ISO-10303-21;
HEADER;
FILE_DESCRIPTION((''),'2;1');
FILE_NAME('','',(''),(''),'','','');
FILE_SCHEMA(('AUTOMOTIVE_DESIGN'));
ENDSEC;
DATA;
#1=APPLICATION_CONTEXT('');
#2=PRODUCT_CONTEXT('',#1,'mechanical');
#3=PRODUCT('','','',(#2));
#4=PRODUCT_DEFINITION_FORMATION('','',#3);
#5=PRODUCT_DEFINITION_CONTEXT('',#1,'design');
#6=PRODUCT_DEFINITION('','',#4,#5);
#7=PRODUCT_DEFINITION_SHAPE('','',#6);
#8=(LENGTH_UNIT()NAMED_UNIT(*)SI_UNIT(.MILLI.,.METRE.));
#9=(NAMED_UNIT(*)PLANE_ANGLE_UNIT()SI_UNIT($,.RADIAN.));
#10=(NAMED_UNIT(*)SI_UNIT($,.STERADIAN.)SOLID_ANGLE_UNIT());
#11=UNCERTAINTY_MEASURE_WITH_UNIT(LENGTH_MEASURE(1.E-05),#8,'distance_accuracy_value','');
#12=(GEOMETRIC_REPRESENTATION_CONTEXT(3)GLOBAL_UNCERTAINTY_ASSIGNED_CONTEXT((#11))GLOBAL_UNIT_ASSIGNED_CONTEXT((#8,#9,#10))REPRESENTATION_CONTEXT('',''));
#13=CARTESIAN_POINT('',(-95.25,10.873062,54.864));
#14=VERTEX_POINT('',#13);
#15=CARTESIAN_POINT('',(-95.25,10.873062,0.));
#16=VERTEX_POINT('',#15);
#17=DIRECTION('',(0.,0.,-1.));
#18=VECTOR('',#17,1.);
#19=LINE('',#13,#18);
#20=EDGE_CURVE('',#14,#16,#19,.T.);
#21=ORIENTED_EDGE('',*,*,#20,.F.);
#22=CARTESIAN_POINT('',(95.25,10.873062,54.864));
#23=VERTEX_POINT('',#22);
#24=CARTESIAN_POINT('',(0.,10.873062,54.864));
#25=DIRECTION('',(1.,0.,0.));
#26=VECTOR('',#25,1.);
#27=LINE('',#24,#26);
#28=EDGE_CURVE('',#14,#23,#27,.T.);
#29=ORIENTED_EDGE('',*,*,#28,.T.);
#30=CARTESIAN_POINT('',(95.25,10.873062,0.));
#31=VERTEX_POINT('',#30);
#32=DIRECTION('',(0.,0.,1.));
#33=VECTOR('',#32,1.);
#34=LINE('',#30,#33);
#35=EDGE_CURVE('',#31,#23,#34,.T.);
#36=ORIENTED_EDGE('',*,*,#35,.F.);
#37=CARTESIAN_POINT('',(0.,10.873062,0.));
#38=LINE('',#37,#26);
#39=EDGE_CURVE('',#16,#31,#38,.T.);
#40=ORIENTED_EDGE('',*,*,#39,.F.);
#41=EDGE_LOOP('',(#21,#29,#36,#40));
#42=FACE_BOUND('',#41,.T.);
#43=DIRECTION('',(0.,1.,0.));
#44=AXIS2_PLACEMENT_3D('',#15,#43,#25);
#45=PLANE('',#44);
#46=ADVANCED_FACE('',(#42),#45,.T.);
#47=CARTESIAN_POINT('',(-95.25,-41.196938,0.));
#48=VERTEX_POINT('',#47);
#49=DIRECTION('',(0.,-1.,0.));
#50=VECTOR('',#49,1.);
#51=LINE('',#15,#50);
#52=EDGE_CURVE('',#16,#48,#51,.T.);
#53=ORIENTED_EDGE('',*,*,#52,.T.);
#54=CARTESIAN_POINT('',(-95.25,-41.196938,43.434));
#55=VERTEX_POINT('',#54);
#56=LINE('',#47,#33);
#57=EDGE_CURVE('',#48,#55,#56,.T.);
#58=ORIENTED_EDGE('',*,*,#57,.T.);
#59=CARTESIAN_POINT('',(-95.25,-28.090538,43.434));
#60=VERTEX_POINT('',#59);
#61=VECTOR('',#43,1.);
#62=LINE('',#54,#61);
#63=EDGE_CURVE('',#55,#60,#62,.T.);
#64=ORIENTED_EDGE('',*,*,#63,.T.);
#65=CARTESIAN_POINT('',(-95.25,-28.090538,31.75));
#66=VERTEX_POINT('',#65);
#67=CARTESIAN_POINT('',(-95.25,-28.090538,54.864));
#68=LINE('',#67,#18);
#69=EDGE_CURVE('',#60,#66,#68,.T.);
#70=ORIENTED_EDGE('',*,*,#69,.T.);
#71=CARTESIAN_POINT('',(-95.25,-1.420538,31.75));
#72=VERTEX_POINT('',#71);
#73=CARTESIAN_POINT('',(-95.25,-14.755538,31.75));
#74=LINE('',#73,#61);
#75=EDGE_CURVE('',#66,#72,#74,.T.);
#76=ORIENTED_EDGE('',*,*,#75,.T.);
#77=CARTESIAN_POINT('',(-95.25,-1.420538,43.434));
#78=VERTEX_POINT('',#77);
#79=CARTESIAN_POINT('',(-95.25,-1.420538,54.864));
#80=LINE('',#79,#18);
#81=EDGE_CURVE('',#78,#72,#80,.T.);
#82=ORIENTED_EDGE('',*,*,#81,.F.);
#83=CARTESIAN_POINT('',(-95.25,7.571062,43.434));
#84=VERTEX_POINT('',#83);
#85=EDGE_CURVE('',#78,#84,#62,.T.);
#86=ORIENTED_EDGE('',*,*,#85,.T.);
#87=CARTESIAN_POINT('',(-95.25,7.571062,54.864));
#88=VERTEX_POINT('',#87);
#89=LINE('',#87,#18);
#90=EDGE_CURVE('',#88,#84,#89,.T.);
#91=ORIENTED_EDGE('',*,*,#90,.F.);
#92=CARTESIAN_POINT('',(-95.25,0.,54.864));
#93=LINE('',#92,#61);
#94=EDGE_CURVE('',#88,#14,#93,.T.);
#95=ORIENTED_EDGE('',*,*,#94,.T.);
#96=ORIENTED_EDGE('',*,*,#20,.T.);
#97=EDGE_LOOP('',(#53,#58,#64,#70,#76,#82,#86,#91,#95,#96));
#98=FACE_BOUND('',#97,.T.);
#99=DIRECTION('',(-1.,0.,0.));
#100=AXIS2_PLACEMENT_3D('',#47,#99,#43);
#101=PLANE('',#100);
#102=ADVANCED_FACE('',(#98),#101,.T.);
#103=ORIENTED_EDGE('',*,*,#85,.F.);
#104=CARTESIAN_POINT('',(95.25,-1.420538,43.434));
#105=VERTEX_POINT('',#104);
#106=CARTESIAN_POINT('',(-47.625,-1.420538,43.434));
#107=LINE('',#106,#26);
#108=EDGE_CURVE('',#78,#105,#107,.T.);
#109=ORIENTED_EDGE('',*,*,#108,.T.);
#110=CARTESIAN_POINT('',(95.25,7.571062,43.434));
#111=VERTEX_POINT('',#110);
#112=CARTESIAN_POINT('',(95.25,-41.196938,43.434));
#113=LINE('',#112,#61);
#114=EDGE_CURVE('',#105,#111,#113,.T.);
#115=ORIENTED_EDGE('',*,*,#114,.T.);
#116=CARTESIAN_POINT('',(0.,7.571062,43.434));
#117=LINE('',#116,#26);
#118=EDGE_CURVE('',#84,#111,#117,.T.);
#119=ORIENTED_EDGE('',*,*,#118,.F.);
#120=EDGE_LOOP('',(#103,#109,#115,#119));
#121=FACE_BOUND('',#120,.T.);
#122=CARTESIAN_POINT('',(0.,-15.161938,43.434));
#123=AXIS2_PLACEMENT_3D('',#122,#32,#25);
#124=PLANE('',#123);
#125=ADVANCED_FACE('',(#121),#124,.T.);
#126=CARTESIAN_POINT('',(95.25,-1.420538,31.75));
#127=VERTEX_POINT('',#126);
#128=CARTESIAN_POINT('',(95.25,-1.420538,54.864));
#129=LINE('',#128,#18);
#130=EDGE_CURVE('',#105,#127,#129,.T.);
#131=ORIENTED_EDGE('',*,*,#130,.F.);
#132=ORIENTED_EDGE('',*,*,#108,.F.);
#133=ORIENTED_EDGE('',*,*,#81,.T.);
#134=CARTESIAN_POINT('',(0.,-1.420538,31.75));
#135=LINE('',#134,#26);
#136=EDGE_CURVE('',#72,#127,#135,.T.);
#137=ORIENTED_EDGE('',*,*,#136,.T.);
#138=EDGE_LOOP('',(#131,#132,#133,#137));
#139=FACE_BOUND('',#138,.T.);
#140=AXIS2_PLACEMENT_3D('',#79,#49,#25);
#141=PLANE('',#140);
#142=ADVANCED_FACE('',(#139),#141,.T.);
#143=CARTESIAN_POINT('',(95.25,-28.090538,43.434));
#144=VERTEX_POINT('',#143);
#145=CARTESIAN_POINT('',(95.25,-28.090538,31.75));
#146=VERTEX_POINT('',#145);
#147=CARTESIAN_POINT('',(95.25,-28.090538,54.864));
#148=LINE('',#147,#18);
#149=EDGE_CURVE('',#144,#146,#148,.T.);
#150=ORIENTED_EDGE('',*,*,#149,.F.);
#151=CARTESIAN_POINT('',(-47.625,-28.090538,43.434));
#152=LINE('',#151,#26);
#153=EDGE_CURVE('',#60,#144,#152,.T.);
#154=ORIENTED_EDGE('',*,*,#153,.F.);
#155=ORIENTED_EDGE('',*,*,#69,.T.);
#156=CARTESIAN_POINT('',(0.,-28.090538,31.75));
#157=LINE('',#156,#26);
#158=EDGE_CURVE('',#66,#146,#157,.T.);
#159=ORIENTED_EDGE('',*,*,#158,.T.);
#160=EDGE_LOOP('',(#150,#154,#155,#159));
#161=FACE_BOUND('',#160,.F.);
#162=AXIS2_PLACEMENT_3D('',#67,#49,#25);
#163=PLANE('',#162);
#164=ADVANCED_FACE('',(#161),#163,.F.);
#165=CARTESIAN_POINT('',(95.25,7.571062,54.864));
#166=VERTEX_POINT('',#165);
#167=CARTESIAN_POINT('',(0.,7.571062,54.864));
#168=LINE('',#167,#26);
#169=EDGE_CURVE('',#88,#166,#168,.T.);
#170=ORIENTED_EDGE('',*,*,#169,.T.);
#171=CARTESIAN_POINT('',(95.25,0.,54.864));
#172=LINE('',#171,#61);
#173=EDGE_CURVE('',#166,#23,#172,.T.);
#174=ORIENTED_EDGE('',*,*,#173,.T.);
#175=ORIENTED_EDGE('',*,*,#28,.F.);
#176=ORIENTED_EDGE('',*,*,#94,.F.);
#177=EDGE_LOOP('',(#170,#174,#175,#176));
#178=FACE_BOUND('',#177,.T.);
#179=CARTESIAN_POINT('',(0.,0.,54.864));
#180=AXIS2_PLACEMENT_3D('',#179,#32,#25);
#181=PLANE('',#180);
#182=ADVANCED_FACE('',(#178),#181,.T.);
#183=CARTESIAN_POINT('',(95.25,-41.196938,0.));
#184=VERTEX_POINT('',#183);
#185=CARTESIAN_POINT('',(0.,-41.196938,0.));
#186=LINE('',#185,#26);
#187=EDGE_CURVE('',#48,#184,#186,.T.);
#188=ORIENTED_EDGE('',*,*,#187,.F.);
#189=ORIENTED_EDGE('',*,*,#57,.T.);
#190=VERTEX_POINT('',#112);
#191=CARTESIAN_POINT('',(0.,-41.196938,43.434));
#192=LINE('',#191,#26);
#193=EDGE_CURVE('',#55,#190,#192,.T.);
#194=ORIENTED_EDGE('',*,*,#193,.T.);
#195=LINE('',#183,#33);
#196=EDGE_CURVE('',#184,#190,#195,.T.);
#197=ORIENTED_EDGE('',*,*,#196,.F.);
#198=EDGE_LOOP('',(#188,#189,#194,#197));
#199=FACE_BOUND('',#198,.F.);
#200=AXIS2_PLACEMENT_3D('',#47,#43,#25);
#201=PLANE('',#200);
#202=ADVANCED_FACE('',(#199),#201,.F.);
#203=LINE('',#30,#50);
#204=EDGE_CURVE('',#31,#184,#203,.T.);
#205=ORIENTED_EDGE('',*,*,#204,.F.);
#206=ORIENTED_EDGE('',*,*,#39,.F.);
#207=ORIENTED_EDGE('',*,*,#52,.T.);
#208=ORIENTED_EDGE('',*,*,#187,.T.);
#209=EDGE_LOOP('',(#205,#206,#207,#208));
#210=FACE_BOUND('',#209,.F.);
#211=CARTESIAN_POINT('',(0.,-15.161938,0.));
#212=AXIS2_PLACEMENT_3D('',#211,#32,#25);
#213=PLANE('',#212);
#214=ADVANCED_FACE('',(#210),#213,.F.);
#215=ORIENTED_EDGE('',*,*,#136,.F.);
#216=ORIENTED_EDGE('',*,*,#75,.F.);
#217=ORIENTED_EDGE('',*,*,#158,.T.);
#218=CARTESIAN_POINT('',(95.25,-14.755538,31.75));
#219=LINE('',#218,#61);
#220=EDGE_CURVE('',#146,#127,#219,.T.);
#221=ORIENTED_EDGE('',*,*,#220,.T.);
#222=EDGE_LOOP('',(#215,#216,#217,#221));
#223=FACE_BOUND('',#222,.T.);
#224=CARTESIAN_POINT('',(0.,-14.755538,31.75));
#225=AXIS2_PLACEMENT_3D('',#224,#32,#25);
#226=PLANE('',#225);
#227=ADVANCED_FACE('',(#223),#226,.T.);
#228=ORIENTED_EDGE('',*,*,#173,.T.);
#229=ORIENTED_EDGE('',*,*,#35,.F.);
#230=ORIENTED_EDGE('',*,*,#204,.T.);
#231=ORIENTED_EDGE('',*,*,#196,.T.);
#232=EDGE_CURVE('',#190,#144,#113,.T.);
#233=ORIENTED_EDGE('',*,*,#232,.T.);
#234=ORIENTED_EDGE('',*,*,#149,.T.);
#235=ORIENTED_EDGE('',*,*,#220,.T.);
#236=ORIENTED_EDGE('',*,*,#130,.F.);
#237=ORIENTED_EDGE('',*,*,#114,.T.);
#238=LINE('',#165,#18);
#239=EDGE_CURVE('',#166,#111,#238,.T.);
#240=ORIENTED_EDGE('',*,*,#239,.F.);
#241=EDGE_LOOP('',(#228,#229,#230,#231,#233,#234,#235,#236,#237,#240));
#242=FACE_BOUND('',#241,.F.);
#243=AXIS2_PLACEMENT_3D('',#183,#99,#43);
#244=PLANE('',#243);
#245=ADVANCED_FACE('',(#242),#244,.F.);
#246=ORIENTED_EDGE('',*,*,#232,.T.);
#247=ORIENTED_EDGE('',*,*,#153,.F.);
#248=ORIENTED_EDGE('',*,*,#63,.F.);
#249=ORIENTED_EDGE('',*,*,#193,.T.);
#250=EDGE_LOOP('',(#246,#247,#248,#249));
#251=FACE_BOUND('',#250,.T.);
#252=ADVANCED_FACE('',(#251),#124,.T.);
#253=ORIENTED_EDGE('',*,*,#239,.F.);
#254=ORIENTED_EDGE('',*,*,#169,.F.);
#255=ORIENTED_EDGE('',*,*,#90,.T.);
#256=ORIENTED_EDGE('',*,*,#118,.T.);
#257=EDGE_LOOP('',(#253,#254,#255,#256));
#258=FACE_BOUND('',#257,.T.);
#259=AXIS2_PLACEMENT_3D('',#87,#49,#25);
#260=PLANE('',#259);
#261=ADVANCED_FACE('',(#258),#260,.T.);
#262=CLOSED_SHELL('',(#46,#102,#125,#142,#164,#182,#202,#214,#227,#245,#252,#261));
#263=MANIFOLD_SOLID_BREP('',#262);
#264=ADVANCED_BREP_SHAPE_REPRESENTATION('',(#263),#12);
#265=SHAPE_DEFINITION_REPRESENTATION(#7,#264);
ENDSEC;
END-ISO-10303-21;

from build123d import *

# Parameters (mm, degrees)
F0_W     = 190.5
F0_H     = 21.746124
F1_DEPTH = 54.864
F3_W     = 190.5
F3_H     = 18.542
F4_DEPTH = 11.43
F6_W     = 190.5
F6_H     = 52.07
F7_DEPTH = 43.434
F8_W     = 190.5
F8_H     = 26.67
F9_DEPTH = 23.114


with BuildPart() as f1:
    # F0 (on Top) → F1 (new body)
    with BuildSketch(Plane.XY):
        Rectangle(F0_W, F0_H)
    extrude(amount=F1_DEPTH)

    # F3 (on face) → F4 (cut)
    with BuildSketch(Plane.XY.offset(54.864)):
        with Locations((0, -1.699938)):
            Rectangle(F3_W, F3_H)
    extrude(amount=-F4_DEPTH, mode=Mode.SUBTRACT)

    # F6 (on Top) → F7 (join)
    with BuildSketch(Plane.XY):
        with Locations((0, -15.161938)):
            Rectangle(F6_W, F6_H)
    extrude(amount=F7_DEPTH)

    # F8 (on face) → F9 (cut)
    with BuildSketch(Plane.XY.offset(54.864)):
        with Locations((0, -14.755538)):
            Rectangle(F8_W, F8_H)
    extrude(amount=-F9_DEPTH, mode=Mode.SUBTRACT)


solid = f1.part
